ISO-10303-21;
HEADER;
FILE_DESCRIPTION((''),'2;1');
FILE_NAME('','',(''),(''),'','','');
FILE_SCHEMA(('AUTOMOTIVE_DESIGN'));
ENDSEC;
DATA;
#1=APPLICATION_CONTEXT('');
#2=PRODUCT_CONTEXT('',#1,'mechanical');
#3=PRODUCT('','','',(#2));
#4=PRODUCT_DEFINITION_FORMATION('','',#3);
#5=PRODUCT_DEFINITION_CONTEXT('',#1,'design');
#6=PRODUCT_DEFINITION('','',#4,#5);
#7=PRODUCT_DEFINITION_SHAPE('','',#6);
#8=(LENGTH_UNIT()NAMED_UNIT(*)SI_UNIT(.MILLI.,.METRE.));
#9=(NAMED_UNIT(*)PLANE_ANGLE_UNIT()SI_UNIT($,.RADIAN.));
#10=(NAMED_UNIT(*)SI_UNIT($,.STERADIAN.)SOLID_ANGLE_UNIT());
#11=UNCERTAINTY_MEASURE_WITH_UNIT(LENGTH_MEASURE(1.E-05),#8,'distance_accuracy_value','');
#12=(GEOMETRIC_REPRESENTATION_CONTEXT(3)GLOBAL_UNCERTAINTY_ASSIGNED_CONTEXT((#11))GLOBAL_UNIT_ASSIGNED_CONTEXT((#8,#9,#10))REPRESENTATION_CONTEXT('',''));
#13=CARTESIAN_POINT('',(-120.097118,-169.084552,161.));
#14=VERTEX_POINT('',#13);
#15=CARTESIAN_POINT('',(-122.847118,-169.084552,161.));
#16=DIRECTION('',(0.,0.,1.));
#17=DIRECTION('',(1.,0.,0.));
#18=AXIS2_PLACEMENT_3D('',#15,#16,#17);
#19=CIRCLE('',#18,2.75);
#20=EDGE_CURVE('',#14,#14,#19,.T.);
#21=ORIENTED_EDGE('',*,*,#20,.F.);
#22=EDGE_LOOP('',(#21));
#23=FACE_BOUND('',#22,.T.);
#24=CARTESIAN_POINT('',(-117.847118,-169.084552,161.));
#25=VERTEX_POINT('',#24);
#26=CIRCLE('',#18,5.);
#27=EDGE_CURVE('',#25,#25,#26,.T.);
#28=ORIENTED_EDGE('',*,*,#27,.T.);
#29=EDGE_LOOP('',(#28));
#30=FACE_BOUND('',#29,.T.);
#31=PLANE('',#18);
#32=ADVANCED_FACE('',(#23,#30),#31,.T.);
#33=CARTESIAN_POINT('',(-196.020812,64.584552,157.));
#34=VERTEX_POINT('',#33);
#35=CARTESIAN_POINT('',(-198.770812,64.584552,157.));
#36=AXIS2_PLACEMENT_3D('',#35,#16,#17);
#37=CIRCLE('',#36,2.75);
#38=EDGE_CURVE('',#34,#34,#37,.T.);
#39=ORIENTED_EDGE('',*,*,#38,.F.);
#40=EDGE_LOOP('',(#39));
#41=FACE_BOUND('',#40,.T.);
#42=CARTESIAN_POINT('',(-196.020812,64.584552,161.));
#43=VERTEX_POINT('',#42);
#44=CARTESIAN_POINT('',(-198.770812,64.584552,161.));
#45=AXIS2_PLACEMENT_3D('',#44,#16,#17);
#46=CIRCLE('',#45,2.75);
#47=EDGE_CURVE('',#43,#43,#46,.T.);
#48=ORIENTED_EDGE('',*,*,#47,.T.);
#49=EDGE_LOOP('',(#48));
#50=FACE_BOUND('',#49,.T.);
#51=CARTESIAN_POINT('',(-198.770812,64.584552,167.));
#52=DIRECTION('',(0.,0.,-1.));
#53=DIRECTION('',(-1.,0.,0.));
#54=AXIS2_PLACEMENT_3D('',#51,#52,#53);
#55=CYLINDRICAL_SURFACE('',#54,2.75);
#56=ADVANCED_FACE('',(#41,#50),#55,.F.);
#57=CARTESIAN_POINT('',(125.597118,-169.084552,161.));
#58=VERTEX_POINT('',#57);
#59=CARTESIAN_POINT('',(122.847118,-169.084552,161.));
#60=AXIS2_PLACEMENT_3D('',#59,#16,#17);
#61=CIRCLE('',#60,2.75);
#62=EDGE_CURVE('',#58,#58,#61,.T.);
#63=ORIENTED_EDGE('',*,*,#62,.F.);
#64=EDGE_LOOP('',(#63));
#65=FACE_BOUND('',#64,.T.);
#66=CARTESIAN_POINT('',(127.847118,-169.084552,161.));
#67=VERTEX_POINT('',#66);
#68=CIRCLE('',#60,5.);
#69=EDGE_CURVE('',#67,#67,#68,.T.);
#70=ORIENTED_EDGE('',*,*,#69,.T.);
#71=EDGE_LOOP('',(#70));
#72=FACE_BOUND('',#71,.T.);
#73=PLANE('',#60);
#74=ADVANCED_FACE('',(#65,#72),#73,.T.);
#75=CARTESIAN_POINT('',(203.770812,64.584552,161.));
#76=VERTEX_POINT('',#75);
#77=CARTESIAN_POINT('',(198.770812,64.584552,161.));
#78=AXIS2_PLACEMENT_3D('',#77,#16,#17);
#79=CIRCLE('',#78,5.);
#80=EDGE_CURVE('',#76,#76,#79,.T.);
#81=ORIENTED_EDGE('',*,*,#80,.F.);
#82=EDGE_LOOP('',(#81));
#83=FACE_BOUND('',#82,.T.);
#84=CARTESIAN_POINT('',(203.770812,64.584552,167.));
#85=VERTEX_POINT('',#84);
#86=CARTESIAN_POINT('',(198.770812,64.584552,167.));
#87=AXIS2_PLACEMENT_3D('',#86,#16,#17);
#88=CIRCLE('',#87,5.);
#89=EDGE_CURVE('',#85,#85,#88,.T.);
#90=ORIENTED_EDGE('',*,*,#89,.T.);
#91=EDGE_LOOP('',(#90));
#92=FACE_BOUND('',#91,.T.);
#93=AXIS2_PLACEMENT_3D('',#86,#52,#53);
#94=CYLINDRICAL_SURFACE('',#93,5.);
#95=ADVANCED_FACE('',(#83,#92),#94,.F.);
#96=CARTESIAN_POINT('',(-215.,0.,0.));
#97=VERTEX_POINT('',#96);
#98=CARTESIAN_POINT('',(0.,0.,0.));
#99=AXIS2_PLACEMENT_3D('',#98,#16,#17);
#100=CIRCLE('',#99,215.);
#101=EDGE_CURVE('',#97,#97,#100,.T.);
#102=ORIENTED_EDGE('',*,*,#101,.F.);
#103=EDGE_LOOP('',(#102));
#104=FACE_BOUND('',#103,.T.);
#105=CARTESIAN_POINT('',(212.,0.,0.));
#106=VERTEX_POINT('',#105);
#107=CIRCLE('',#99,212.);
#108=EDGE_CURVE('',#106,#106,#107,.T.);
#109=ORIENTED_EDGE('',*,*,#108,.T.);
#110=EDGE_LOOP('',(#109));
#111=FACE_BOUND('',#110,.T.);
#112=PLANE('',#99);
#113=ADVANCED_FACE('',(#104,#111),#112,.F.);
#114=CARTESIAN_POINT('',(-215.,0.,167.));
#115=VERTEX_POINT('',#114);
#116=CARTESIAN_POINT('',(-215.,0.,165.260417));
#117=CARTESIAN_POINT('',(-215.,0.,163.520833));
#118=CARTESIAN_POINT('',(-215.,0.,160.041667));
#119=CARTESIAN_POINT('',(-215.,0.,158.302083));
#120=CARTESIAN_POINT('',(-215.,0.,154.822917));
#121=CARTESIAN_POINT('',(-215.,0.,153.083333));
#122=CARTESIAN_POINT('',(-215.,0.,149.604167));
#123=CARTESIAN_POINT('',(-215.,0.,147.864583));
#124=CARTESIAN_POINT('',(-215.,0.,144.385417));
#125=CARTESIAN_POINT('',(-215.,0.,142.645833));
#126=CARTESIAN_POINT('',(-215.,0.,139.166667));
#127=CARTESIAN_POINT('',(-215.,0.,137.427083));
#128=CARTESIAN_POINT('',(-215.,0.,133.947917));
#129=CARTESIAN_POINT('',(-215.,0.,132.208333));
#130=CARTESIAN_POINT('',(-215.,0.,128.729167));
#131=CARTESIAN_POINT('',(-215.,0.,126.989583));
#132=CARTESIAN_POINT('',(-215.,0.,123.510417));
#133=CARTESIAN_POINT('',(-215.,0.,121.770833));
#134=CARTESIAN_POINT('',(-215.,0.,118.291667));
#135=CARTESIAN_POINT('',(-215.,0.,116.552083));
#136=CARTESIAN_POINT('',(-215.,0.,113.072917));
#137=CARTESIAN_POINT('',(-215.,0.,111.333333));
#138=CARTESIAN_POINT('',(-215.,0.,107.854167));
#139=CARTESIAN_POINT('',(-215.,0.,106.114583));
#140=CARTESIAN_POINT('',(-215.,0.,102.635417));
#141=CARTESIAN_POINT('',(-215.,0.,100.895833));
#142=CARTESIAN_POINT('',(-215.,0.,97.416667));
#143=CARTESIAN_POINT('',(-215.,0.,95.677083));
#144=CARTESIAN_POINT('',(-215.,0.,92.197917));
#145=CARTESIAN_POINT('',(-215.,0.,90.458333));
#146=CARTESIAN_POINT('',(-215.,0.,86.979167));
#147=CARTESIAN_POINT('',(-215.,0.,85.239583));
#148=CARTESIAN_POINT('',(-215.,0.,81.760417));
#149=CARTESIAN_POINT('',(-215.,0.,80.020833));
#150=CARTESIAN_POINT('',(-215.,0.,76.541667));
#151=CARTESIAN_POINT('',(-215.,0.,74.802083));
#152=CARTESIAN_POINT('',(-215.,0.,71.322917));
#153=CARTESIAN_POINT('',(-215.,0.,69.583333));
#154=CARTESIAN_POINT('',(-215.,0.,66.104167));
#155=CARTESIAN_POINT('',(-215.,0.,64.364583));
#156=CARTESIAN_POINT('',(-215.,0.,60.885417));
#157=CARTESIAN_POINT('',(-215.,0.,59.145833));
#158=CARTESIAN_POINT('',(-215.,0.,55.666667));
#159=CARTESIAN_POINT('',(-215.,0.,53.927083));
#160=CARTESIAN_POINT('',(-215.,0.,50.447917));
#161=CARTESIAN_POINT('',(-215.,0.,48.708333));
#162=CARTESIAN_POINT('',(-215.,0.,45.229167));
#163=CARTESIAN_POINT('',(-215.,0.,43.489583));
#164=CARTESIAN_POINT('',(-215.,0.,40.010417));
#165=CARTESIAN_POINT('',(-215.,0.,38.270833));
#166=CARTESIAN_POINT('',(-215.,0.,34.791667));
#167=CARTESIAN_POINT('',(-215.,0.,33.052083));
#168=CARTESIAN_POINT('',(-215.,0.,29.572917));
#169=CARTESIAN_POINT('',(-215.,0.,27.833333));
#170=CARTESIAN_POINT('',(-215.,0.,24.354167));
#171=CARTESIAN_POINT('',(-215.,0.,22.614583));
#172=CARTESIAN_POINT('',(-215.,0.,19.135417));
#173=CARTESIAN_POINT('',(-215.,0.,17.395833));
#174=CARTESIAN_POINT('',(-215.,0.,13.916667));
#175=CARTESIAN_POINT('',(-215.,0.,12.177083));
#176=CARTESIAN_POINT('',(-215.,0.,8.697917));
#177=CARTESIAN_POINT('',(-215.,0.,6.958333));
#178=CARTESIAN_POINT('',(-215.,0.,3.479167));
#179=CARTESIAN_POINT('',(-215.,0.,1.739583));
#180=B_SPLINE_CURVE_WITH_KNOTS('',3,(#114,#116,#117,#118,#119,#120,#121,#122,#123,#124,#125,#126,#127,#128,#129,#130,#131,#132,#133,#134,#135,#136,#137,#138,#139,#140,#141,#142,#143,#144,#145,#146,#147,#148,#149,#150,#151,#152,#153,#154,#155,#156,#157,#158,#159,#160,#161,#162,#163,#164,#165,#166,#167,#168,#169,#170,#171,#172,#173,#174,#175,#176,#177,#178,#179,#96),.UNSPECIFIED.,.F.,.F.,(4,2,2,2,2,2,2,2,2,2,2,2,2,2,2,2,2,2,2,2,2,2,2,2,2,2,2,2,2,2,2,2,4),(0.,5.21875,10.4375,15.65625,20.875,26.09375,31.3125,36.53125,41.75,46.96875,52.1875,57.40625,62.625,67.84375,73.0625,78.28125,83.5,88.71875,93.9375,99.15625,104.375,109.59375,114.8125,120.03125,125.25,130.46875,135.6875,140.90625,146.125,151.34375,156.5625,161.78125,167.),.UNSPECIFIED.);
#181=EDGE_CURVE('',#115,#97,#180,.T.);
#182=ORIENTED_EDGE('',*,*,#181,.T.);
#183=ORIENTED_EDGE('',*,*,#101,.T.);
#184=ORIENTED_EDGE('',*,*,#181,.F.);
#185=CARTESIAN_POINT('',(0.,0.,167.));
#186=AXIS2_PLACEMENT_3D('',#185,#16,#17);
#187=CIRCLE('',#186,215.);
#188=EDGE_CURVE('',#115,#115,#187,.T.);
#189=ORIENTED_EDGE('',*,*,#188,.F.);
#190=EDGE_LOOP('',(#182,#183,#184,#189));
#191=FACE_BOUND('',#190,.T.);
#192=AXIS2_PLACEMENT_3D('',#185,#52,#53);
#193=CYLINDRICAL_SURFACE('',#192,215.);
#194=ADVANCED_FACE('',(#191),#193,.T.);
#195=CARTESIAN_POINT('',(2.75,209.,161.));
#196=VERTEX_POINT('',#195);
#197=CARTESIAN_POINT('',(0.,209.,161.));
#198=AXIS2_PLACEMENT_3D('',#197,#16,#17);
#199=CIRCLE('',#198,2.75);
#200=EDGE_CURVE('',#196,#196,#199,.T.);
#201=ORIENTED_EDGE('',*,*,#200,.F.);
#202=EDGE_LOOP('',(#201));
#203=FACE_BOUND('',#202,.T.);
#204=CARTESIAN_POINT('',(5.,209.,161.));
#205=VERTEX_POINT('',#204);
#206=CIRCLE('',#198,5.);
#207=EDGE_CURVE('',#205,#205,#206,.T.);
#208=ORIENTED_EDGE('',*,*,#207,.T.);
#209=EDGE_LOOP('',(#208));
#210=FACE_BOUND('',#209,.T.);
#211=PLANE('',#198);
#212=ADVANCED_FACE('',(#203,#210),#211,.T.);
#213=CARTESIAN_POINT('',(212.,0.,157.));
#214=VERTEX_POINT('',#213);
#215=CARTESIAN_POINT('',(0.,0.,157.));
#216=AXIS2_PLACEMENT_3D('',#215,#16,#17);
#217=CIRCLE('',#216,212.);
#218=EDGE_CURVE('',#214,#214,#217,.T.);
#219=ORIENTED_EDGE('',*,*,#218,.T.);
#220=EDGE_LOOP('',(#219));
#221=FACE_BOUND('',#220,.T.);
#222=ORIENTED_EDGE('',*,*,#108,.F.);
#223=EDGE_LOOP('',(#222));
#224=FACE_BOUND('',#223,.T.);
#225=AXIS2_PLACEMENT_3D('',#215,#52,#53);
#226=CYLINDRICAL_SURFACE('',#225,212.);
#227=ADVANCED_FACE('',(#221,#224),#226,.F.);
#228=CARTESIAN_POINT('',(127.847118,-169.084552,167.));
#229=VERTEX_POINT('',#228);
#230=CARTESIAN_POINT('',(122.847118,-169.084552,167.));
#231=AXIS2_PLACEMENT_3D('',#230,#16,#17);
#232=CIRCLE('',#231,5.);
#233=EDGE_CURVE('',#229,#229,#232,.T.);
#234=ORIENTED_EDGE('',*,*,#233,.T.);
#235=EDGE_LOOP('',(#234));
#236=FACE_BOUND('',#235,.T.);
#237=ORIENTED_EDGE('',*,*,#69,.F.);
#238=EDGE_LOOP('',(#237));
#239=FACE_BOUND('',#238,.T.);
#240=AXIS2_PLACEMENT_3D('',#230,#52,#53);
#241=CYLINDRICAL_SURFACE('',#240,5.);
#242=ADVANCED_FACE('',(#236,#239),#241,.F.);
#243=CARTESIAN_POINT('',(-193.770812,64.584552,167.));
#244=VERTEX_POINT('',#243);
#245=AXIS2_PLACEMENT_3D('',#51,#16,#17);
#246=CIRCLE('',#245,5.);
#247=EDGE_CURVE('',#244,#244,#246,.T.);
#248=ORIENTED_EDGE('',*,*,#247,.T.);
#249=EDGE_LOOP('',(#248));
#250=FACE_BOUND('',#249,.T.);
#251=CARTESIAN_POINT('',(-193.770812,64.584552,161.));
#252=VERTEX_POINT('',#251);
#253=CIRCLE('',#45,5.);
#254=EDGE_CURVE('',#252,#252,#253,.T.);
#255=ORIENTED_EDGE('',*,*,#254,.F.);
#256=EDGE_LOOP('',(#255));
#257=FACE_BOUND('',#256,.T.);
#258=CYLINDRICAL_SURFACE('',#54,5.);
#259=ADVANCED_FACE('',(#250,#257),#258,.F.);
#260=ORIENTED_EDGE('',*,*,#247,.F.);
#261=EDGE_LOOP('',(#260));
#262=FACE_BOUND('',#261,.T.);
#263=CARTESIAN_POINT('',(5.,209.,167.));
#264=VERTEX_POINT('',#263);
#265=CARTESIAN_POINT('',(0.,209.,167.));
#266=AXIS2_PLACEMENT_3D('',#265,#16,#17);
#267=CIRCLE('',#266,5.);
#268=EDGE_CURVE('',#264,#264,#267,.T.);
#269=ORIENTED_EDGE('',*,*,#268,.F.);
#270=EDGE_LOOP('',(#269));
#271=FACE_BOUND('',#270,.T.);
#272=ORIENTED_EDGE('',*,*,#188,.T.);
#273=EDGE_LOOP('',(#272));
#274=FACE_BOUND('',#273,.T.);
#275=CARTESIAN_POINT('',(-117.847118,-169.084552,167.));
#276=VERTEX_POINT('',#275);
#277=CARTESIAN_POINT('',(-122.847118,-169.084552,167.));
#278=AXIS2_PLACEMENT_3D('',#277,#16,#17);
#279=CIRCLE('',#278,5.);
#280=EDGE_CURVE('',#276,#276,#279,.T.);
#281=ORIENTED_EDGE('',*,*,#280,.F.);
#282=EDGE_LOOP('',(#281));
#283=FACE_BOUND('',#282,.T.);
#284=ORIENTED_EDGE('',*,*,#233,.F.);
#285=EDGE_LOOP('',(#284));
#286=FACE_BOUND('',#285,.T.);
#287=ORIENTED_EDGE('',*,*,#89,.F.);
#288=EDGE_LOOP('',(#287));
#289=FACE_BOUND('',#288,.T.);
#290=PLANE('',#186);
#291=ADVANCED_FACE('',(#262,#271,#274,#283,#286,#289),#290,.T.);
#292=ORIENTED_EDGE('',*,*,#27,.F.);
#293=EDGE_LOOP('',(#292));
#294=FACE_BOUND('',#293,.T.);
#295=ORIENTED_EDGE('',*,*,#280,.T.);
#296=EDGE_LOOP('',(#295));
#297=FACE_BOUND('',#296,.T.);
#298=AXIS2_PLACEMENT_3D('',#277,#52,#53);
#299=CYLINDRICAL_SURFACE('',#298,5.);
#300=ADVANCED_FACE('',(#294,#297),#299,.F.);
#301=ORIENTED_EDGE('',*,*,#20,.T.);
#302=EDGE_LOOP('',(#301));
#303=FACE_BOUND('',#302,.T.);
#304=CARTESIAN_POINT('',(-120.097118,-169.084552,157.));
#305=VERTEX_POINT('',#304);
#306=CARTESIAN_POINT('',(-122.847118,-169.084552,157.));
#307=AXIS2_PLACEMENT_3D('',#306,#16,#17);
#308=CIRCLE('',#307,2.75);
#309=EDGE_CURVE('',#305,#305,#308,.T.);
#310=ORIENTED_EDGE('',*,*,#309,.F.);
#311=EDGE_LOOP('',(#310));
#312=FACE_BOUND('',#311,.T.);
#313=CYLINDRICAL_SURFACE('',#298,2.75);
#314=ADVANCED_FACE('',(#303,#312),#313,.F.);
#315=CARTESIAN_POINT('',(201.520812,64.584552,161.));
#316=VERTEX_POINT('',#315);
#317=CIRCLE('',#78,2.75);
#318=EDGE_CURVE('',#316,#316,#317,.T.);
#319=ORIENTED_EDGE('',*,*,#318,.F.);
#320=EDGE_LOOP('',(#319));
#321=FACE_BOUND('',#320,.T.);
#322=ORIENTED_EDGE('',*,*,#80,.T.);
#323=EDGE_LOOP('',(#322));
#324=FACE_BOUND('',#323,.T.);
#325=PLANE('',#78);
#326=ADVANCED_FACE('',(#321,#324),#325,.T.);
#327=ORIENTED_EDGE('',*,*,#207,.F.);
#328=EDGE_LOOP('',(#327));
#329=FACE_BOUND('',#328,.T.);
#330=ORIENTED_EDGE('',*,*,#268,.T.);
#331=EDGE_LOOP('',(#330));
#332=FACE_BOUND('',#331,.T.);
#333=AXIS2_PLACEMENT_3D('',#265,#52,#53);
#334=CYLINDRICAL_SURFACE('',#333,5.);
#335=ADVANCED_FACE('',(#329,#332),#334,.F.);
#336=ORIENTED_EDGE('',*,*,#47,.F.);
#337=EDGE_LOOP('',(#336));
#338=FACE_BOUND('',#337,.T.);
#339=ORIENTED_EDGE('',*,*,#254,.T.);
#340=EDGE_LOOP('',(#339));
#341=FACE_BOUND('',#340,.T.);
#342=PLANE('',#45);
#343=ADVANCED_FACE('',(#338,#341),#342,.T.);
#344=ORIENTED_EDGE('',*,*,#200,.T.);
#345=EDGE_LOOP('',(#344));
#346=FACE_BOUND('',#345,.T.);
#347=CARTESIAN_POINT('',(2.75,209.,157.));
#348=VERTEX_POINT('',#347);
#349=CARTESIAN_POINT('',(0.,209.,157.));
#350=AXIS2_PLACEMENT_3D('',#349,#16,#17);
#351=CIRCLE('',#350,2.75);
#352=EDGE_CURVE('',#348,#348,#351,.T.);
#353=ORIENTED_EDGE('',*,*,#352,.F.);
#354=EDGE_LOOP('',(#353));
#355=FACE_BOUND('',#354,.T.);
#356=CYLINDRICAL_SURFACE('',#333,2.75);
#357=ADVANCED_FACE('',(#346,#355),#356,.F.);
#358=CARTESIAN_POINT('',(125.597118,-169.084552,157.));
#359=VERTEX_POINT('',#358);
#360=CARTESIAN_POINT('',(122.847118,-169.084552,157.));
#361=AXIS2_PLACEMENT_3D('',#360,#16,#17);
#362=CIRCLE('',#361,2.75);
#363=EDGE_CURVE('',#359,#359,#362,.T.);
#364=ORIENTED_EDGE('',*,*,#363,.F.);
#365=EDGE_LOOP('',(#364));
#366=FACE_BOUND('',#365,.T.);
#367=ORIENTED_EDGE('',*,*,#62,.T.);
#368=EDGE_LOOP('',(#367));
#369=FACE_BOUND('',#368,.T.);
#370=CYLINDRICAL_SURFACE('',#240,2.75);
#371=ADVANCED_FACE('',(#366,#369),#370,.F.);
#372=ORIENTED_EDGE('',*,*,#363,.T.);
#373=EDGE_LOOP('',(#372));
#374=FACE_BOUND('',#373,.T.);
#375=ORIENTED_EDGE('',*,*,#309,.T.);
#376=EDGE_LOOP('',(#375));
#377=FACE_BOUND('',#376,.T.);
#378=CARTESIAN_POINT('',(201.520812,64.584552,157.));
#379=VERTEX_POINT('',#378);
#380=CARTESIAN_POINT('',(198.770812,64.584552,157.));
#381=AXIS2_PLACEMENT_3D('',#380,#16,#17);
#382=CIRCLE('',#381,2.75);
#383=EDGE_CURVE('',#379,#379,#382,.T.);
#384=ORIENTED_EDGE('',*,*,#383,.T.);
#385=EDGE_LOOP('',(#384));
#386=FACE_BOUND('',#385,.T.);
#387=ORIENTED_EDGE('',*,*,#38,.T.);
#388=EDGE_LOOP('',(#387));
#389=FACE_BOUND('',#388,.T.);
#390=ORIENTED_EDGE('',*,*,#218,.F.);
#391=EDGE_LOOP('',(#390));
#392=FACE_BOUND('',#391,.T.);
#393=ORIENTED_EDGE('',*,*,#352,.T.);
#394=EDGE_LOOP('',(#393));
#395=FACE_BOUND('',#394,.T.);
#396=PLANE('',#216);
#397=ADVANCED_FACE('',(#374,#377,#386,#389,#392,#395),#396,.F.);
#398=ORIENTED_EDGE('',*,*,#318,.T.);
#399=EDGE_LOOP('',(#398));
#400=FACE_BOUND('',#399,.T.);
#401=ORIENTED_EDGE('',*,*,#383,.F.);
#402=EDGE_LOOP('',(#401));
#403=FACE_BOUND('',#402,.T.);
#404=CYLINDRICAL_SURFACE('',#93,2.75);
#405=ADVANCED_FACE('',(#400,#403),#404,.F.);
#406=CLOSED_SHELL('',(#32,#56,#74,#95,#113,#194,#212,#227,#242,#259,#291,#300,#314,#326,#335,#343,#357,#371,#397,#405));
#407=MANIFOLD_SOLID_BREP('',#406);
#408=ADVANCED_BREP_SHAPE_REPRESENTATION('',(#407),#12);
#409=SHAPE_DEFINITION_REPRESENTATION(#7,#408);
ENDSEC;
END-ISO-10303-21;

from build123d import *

# Parameters (mm, degrees)
SKETCH1_R              = 215
BODY_DEPTH             = 167
SKETCH2_R              = 212
CAVITY_DEPTH           = 157
SKETCH3_R              = 2.75
ROD_HOLES_DEPTH        = 10
SKETCH4_R              = 5
NUT_COUNTERBORES_DEPTH = 6


with BuildPart() as part:
    # Sketch1 → Body (new body)
    with BuildSketch(Plane.XY):
        with Locations(Location((0, 0, 0), (0, 0, 180))):
            Circle(SKETCH1_R)
    extrude(amount=BODY_DEPTH)

    # Sketch2 → Cavity (cut)
    with BuildSketch(Plane.XY):
        Circle(SKETCH2_R)
    extrude(amount=CAVITY_DEPTH, mode=Mode.SUBTRACT)

    # Sketch3 → Rod_holes (cut)
    with BuildSketch(Plane.XY.offset(157)):
        with Locations((198.770811906, 64.584551824)):
            Circle(SKETCH3_R)
        with Locations((0, 209)):
            Circle(SKETCH3_R)
        with Locations((-198.770811906, 64.584551824)):
            Circle(SKETCH3_R)
        with Locations((-122.847117729, -169.084551824)):
            Circle(SKETCH3_R)
        with Locations((122.847117729, -169.084551824)):
            Circle(SKETCH3_R)
    extrude(amount=ROD_HOLES_DEPTH, mode=Mode.SUBTRACT)

    # Sketch4 → Nut_counterbores (cut)
    with BuildSketch(Plane.XY.offset(161)):
        with Locations((198.770811906, 64.584551824)):
            Circle(SKETCH4_R)
        with Locations((0, 209)):
            Circle(SKETCH4_R)
        with Locations((-198.770811906, 64.584551824)):
            Circle(SKETCH4_R)
        with Locations((-122.847117729, -169.084551824)):
            Circle(SKETCH4_R)
        with Locations((122.847117729, -169.084551824)):
            Circle(SKETCH4_R)
    extrude(amount=NUT_COUNTERBORES_DEPTH, mode=Mode.SUBTRACT)


solid = part.part
